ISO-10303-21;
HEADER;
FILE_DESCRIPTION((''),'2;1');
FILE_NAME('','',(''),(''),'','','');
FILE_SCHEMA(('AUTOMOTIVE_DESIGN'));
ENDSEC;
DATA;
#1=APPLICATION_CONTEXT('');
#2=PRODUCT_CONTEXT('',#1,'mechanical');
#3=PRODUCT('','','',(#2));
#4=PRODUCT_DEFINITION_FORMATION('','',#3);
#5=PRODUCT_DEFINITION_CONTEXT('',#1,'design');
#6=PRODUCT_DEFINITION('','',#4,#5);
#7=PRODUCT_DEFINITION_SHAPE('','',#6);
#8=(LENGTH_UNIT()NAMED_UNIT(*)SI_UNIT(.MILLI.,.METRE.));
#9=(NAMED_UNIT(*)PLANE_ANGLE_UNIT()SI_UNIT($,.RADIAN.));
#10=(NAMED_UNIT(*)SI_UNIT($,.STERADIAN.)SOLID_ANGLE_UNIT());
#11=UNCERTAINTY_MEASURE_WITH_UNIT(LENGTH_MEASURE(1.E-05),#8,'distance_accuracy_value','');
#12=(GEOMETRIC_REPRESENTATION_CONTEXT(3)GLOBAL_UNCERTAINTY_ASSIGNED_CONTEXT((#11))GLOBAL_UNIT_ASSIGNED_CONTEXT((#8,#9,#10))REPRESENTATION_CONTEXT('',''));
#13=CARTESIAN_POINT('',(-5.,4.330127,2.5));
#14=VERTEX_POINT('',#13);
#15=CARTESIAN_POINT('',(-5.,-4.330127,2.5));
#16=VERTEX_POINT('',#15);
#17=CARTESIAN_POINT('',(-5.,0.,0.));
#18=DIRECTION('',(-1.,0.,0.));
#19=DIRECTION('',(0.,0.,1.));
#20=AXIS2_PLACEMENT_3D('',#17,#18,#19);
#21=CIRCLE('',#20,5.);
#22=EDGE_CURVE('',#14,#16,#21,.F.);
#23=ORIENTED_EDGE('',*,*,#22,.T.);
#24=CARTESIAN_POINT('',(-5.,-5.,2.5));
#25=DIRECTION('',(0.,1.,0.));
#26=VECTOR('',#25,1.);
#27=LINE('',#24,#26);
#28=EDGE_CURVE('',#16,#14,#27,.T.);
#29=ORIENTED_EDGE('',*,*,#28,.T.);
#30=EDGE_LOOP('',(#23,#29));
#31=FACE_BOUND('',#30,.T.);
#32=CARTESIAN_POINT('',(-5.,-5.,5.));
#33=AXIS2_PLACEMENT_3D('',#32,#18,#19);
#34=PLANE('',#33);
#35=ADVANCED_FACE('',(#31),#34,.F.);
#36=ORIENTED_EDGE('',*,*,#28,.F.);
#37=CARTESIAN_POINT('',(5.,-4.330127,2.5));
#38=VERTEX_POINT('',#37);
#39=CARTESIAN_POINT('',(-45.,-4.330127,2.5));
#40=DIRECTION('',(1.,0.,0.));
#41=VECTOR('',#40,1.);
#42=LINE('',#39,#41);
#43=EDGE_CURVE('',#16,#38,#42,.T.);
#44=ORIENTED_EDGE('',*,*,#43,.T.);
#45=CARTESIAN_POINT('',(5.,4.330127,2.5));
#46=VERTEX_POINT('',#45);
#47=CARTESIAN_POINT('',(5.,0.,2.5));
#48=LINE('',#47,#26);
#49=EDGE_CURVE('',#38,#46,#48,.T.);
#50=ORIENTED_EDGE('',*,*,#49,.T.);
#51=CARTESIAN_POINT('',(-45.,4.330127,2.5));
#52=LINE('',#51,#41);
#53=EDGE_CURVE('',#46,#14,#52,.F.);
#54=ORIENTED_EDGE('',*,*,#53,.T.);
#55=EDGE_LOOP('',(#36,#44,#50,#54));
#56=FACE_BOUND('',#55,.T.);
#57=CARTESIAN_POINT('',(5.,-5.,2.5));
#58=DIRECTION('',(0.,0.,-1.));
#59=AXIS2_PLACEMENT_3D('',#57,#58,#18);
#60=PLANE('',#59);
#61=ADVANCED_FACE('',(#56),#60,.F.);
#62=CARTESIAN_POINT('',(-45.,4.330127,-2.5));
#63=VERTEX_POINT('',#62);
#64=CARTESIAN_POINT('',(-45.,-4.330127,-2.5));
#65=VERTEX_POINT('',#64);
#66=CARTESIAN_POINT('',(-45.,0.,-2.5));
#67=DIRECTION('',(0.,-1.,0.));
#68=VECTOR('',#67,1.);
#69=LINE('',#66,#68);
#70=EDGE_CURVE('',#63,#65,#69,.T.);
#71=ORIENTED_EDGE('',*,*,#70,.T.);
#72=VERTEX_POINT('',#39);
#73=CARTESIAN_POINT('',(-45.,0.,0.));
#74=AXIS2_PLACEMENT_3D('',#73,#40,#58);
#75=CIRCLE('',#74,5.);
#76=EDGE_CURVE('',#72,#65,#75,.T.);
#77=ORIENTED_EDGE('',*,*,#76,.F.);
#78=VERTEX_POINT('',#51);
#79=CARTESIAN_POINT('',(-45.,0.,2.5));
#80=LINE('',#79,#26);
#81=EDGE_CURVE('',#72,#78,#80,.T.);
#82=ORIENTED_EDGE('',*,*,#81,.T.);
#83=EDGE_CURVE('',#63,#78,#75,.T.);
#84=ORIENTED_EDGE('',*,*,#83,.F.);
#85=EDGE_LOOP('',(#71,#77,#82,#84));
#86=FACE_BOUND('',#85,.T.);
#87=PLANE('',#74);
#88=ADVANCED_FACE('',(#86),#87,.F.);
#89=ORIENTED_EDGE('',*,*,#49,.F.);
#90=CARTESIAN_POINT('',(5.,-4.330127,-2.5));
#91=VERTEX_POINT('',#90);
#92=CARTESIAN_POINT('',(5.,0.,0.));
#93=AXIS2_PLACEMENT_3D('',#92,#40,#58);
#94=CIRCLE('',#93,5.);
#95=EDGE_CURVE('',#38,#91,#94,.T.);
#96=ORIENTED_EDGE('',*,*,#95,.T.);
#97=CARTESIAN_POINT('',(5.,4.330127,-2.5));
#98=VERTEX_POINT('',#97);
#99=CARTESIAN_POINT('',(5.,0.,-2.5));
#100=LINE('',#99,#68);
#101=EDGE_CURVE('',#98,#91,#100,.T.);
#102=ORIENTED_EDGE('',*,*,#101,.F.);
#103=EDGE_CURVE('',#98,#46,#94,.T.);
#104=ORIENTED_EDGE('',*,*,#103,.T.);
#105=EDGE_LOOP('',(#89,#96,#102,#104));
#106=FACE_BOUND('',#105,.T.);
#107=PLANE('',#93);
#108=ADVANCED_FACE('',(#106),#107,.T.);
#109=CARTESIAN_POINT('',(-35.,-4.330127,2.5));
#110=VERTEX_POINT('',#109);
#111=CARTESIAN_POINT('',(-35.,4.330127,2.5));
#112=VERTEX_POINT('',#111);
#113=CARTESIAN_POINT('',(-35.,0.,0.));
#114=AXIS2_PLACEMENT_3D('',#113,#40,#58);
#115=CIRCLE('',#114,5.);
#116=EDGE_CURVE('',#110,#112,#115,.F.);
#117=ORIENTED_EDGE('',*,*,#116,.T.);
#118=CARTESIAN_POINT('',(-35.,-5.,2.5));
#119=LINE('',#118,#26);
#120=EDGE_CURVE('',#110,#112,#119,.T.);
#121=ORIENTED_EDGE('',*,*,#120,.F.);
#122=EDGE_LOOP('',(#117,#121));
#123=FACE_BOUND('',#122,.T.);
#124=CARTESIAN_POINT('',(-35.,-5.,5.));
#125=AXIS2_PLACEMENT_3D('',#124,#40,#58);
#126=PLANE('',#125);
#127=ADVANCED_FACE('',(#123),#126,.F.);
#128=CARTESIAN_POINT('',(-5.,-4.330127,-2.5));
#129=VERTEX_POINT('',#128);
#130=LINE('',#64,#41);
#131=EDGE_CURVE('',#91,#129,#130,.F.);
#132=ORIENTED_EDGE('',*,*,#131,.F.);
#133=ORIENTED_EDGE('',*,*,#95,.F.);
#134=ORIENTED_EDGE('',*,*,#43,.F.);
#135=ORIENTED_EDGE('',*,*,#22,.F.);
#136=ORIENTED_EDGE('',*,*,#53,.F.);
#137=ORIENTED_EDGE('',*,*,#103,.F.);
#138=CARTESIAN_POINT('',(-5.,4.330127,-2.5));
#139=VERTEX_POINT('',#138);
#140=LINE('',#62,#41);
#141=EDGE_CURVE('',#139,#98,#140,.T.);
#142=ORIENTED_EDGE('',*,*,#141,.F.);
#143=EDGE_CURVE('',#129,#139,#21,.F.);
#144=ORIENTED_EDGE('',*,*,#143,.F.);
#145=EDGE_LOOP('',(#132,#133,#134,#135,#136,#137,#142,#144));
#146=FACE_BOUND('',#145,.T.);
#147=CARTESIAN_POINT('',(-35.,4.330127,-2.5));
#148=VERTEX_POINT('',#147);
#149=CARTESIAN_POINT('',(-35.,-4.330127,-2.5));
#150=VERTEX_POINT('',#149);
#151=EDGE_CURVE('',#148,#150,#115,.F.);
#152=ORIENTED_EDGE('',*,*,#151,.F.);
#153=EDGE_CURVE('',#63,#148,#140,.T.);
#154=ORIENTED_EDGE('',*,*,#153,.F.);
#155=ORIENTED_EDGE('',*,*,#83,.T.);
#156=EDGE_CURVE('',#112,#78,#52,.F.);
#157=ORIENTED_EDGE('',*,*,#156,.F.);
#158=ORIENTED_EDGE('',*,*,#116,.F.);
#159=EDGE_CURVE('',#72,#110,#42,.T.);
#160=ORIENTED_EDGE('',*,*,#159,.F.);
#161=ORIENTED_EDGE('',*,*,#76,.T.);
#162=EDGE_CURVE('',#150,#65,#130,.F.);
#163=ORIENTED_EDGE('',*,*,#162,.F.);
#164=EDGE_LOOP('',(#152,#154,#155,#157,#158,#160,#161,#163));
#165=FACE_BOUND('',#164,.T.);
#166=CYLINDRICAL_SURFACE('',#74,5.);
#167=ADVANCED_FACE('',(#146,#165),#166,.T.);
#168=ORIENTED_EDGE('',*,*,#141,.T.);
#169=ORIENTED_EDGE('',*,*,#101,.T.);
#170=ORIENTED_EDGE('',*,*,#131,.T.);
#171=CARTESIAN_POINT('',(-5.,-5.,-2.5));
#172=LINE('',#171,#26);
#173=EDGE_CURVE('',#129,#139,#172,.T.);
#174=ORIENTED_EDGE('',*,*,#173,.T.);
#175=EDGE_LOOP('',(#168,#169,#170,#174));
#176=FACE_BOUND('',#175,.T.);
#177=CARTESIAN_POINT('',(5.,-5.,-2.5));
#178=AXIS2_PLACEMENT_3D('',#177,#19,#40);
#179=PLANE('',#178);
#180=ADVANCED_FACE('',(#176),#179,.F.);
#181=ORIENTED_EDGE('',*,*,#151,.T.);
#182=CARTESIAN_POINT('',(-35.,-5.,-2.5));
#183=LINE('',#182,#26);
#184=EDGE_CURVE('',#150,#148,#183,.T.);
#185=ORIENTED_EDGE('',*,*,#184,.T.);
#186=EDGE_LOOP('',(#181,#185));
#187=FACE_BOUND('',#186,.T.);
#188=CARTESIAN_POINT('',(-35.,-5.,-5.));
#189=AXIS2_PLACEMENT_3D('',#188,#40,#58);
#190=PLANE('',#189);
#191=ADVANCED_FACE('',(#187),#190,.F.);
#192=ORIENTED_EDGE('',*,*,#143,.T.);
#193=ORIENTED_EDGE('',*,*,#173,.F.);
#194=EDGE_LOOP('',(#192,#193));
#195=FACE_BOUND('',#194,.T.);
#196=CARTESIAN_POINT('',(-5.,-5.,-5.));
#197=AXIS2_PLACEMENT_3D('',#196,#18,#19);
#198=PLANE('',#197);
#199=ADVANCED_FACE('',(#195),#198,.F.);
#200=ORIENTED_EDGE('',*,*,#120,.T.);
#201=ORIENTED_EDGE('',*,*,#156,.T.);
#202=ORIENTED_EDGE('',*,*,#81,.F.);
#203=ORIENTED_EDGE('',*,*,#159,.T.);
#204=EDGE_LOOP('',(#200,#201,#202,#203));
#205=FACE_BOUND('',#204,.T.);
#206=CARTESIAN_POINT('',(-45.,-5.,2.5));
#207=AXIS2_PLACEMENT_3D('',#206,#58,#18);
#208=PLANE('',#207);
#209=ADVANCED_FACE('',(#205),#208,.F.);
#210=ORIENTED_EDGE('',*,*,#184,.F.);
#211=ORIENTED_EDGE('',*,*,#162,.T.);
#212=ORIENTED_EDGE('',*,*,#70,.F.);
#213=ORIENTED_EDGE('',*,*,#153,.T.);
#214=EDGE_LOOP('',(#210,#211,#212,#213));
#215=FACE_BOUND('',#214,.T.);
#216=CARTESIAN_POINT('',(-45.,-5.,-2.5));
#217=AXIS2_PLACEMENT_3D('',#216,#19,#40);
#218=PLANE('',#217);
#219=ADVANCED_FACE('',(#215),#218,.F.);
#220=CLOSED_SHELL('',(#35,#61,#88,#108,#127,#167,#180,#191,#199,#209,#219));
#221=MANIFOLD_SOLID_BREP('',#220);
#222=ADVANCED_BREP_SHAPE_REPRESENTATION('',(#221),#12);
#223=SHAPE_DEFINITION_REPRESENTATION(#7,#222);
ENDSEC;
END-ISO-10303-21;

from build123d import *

# Parameters (mm, degrees)
SKETCH1_R                = 5
BOSS_EXTRUDE1_DEPTH      = 5
BOSS_EXTRUDE1_DEPTH_BACK = 45
SKETCH2_W                = 10
SKETCH2_H                = 2.5
CUT_EXTRUDE1_DEPTH       = 6
CUT_EXTRUDE1_DEPTH_BACK  = 6


with BuildPart() as part:
    # Sketch1 → Boss-Extrude1 (new body, two sides)
    with BuildSketch(Plane(origin=(0, 0, 0), x_dir=(0, 0, -1), z_dir=(1, 0, 0))) as boss_extrude1_sk:
        Circle(SKETCH1_R)
    extrude(amount=BOSS_EXTRUDE1_DEPTH)
    extrude(boss_extrude1_sk.sketch, amount=-BOSS_EXTRUDE1_DEPTH_BACK)

    # Sketch2 → Cut-Extrude1 (cut, two sides)
    with BuildSketch(Plane(origin=(0, 0, 0), x_dir=(1, 0, 0), z_dir=(0, 1, 0))) as cut_extrude1_sk:
        with Locations((-40, -3.75)):
            Rectangle(SKETCH2_W, SKETCH2_H)
        with Locations((-40, 3.75)):
            Rectangle(SKETCH2_W, SKETCH2_H)
        with Locations((0, -3.75)):
            Rectangle(SKETCH2_W, SKETCH2_H)
        with Locations((0, 3.75)):
            Rectangle(SKETCH2_W, SKETCH2_H)
    extrude(amount=CUT_EXTRUDE1_DEPTH, mode=Mode.SUBTRACT)
    extrude(cut_extrude1_sk.sketch, amount=-CUT_EXTRUDE1_DEPTH_BACK, mode=Mode.SUBTRACT)


solid = part.part
